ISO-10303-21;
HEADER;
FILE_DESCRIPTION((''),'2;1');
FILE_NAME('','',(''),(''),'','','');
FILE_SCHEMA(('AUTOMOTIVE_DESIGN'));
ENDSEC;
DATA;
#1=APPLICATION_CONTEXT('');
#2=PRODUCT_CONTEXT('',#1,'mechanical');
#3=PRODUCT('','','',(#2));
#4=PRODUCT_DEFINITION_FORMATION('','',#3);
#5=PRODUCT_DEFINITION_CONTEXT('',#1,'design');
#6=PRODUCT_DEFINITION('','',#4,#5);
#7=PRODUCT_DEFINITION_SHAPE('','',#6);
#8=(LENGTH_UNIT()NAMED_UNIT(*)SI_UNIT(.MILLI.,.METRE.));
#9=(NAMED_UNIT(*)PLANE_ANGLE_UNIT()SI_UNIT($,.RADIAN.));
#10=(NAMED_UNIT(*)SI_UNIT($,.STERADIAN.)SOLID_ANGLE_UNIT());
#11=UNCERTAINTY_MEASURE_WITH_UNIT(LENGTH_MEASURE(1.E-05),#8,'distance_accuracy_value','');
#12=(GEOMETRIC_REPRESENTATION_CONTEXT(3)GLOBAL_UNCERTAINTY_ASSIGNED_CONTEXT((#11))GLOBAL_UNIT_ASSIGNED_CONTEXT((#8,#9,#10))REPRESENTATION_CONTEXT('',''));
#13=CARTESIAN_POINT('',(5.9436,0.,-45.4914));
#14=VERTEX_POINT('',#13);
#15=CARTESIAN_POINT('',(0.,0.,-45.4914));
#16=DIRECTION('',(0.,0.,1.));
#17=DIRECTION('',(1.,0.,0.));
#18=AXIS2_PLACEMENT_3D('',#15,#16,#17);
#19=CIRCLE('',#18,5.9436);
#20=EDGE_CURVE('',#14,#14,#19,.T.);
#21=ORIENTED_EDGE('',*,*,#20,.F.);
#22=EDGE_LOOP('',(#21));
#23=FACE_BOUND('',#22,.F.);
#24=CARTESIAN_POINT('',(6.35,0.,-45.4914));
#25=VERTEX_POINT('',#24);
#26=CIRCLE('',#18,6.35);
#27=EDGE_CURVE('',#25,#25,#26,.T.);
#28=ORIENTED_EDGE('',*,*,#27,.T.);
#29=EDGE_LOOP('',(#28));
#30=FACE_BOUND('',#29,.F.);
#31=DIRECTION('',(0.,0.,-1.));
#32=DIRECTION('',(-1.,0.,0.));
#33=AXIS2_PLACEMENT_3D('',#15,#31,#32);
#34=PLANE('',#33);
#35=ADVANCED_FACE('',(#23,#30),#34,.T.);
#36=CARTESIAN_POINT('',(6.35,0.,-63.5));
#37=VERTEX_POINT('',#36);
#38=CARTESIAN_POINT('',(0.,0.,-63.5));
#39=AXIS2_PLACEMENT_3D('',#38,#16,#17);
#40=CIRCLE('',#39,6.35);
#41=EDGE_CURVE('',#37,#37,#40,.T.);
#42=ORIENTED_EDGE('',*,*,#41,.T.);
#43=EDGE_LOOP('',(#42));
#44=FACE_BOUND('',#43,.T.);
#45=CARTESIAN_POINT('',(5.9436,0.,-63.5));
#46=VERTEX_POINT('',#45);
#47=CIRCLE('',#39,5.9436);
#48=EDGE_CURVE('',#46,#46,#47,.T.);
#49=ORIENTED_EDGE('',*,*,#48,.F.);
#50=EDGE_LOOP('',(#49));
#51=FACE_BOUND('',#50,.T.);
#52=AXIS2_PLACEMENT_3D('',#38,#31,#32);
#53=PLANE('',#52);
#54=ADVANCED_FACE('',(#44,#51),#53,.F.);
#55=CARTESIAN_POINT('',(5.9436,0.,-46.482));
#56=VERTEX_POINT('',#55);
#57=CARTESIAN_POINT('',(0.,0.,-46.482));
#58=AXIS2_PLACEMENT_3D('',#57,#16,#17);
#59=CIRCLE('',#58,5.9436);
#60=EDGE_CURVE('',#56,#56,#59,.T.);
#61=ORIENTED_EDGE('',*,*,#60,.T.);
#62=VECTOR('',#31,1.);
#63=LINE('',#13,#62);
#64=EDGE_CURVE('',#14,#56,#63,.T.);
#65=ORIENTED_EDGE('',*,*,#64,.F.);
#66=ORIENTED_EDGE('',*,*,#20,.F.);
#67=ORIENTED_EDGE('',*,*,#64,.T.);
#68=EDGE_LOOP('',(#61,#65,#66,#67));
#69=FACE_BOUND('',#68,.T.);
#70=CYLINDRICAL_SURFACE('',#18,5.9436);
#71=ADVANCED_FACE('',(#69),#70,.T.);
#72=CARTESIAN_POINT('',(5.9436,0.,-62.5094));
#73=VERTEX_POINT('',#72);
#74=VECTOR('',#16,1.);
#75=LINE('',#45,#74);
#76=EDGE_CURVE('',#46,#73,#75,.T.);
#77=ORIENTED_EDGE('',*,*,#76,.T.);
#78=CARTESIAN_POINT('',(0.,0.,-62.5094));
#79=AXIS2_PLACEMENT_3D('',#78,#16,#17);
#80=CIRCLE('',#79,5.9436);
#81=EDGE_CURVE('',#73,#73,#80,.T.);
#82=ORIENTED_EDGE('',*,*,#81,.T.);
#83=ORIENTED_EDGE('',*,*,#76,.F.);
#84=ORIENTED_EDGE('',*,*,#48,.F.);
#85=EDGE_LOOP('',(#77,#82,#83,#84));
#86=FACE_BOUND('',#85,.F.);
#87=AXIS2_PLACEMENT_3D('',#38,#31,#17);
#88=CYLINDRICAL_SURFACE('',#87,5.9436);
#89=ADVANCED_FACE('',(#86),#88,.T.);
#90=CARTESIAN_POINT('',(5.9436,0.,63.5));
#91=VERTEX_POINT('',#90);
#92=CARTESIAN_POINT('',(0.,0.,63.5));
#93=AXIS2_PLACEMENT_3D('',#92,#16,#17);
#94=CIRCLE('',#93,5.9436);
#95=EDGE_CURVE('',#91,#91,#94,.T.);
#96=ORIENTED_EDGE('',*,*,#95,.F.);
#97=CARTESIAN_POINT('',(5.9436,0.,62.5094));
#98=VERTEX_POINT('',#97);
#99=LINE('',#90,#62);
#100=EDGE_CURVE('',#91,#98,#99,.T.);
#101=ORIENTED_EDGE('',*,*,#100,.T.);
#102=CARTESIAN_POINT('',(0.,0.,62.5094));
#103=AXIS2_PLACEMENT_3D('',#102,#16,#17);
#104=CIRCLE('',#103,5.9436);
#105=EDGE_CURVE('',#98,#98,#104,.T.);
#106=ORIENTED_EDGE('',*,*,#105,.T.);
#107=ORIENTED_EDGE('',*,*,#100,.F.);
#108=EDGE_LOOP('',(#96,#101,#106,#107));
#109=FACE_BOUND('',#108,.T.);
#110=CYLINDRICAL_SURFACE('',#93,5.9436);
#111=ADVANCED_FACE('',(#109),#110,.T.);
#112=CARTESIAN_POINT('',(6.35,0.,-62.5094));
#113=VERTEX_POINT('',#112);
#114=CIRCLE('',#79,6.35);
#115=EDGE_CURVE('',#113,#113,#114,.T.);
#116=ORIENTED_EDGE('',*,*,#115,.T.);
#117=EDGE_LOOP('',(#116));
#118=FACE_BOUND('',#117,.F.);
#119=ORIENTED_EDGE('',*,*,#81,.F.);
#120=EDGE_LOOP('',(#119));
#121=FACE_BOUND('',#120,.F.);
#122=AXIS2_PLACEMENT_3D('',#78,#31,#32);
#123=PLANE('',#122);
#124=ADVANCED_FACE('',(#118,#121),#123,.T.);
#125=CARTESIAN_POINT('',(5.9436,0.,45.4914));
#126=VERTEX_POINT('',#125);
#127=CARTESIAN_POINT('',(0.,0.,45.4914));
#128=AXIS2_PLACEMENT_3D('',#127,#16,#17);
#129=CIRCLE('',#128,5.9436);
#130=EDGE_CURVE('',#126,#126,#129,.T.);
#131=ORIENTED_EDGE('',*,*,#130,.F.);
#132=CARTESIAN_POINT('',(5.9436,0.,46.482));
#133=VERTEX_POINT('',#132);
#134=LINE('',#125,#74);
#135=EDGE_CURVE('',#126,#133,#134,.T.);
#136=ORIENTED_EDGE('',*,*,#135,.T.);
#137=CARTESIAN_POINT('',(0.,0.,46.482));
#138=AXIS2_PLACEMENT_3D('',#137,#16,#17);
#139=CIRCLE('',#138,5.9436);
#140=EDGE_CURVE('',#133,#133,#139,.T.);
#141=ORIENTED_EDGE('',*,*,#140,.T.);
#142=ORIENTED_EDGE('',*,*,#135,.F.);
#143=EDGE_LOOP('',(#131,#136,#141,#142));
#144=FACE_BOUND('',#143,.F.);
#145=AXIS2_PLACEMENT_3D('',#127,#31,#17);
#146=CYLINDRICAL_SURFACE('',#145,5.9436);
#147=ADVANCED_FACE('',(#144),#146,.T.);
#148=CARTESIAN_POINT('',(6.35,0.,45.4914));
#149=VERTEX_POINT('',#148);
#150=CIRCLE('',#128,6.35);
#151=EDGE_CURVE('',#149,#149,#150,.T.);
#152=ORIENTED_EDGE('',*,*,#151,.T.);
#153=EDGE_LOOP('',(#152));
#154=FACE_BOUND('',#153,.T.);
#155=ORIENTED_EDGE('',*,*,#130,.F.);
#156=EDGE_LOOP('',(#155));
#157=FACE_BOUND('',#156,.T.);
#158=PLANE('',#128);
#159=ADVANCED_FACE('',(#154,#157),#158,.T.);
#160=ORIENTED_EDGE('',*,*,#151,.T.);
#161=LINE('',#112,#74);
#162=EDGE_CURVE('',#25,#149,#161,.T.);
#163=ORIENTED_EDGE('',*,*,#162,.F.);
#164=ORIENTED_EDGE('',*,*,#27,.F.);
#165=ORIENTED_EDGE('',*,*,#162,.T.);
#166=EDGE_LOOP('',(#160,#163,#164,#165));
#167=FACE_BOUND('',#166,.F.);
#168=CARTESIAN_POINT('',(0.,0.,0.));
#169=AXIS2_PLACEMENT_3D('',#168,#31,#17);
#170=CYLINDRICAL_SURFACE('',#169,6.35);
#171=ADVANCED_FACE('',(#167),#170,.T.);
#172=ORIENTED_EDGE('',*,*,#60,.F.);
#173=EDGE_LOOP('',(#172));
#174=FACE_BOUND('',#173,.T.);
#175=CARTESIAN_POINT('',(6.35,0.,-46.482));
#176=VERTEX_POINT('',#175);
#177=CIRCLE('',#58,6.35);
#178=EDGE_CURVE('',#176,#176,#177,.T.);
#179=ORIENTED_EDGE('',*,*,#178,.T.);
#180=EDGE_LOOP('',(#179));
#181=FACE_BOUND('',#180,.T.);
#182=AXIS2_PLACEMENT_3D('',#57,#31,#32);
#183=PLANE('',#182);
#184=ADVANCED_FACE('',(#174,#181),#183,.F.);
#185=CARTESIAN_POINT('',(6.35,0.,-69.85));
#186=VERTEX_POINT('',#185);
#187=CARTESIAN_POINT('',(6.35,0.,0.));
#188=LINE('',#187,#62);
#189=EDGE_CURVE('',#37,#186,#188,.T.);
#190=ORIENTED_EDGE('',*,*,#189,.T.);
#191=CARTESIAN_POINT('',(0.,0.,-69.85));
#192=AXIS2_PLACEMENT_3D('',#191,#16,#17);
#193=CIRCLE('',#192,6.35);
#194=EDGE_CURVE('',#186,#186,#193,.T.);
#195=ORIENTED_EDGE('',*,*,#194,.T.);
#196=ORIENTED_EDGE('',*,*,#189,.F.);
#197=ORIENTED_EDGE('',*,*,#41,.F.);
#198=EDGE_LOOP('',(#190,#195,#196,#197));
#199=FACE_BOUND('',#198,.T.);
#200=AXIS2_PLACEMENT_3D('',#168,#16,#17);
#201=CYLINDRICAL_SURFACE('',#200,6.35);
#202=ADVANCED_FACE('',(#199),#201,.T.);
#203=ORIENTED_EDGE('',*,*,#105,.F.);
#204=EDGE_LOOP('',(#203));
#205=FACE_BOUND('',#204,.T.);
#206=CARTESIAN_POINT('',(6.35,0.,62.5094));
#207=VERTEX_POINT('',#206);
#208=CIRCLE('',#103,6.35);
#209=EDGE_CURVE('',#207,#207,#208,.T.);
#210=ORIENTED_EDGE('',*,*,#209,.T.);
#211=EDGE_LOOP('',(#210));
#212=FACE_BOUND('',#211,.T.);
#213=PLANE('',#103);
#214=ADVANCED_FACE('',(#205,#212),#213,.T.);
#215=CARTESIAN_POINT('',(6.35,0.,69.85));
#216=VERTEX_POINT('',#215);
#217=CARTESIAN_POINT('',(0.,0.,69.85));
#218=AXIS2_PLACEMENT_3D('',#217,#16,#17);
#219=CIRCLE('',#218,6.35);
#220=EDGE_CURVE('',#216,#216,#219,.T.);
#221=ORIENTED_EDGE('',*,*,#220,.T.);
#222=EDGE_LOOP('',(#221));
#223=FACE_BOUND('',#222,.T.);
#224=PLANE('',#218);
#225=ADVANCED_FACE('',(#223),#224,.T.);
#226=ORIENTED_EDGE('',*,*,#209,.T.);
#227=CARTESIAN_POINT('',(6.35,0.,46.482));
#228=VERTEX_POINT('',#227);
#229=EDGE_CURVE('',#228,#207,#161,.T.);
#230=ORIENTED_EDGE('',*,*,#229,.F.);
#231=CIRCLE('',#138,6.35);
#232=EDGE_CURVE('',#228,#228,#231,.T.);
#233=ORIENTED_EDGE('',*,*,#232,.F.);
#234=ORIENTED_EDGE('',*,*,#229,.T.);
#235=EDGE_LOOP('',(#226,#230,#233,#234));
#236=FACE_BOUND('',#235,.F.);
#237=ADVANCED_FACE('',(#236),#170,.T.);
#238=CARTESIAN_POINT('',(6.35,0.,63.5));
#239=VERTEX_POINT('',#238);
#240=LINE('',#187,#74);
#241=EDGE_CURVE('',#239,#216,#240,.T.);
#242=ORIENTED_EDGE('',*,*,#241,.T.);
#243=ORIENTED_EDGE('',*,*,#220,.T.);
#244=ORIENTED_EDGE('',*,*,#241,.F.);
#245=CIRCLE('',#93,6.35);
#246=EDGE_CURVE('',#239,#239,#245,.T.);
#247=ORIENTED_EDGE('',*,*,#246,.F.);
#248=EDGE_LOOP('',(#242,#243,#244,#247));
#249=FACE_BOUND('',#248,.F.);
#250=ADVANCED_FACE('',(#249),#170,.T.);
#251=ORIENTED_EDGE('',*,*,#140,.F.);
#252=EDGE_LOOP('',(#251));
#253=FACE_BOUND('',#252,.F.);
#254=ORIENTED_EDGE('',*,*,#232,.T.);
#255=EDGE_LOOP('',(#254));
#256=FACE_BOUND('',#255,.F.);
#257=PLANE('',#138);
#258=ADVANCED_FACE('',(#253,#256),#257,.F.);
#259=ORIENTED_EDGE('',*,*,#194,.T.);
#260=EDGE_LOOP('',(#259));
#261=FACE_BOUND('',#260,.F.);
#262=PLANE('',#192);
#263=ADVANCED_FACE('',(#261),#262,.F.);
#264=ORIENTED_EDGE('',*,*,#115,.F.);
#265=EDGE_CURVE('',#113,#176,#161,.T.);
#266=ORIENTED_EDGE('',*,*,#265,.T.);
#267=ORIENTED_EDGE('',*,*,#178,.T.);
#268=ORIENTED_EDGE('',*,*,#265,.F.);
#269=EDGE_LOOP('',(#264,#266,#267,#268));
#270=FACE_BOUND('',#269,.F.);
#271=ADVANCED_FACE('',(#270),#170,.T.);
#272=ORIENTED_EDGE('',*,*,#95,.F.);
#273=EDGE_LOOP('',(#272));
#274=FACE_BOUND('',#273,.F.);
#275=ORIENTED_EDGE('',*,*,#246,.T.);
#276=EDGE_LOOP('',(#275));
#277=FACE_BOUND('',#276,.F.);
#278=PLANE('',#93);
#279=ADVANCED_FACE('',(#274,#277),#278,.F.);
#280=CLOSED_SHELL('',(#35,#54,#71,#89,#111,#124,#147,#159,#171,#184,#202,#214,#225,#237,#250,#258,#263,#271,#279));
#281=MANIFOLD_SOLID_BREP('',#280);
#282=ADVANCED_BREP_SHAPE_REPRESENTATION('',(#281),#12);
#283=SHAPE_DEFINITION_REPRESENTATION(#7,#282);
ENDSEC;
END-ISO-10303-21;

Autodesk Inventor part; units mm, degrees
ref_plane "YZ Plane" through (0, 0, 0) normal (1, 0, 0) x (0, 1, 0)
ref_plane "XZ Plane" through (0, 0, 0) normal (0, 1, 0) x (-1, 0, 0)
sketch "Sketch1" plane through (0, 0, 0) normal (0, 0, 1) x (1, 0, 0)
  circle A0 centre (0, 0) radius 6.35
  dimension "d0" = 12.7
extrude "Extrusion1" add sketch "Sketch1" along normal mid plane 139.7
ref_plane "Work Plane1" through (0, 0, 63.5) normal (0, 0, 1) x (1, 0, 0)
sketch "Sketch2" plane through (0, 0, 63.5) normal (0, 0, 1) x (1, 0, 0)
  circle A0 centre (0, 0) radius 6.35 projected
  circle A1 centre (0, 0) radius 6.35
  circle A2 centre (0, 0) radius 5.9436
  dimension "d4" = 12.7
  dimension "d5" = 11.8872
extrude "Extrusion2" cut sketch "Sketch2" against normal blind 0.9906
mirror "Mirror1" about plane through (0, 0, 0) normal (0, 0, 1) of "Extrusion2"
ref_plane "Work Plane3" through (0, 0, 45.4914) normal (0, 0, 1) x (1, 0, 0)
sketch "Sketch3" plane through (0, 0, 45.4914) normal (0, 0, 1) x (1, 0, 0)
  circle A0 centre (0, 0) radius 6.35 projected
  circle A1 centre (0, 0) radius 6.35
  circle A2 centre (0, 0) radius 5.9436
  dimension "d9" = 12.7
  dimension "d10" = 11.8872
extrude "Extrusion3" cut sketch "Sketch3" along normal blind 0.9906
mirror "Mirror2" about plane through (0, 0, 0) normal (0, 0, 1) of "Extrusion3"
ref_plane "Work Plane2" through (0, 0, -63.5) normal (0, 0, 1) x (1, 0, 0)
ref_plane "Work Plane4" through (0, 0, -45.4914) normal (0, 0, 1) x (1, 0, 0)
properties part number "Stick to Scoop .5in. Pin" material "Aluminum 6061"
